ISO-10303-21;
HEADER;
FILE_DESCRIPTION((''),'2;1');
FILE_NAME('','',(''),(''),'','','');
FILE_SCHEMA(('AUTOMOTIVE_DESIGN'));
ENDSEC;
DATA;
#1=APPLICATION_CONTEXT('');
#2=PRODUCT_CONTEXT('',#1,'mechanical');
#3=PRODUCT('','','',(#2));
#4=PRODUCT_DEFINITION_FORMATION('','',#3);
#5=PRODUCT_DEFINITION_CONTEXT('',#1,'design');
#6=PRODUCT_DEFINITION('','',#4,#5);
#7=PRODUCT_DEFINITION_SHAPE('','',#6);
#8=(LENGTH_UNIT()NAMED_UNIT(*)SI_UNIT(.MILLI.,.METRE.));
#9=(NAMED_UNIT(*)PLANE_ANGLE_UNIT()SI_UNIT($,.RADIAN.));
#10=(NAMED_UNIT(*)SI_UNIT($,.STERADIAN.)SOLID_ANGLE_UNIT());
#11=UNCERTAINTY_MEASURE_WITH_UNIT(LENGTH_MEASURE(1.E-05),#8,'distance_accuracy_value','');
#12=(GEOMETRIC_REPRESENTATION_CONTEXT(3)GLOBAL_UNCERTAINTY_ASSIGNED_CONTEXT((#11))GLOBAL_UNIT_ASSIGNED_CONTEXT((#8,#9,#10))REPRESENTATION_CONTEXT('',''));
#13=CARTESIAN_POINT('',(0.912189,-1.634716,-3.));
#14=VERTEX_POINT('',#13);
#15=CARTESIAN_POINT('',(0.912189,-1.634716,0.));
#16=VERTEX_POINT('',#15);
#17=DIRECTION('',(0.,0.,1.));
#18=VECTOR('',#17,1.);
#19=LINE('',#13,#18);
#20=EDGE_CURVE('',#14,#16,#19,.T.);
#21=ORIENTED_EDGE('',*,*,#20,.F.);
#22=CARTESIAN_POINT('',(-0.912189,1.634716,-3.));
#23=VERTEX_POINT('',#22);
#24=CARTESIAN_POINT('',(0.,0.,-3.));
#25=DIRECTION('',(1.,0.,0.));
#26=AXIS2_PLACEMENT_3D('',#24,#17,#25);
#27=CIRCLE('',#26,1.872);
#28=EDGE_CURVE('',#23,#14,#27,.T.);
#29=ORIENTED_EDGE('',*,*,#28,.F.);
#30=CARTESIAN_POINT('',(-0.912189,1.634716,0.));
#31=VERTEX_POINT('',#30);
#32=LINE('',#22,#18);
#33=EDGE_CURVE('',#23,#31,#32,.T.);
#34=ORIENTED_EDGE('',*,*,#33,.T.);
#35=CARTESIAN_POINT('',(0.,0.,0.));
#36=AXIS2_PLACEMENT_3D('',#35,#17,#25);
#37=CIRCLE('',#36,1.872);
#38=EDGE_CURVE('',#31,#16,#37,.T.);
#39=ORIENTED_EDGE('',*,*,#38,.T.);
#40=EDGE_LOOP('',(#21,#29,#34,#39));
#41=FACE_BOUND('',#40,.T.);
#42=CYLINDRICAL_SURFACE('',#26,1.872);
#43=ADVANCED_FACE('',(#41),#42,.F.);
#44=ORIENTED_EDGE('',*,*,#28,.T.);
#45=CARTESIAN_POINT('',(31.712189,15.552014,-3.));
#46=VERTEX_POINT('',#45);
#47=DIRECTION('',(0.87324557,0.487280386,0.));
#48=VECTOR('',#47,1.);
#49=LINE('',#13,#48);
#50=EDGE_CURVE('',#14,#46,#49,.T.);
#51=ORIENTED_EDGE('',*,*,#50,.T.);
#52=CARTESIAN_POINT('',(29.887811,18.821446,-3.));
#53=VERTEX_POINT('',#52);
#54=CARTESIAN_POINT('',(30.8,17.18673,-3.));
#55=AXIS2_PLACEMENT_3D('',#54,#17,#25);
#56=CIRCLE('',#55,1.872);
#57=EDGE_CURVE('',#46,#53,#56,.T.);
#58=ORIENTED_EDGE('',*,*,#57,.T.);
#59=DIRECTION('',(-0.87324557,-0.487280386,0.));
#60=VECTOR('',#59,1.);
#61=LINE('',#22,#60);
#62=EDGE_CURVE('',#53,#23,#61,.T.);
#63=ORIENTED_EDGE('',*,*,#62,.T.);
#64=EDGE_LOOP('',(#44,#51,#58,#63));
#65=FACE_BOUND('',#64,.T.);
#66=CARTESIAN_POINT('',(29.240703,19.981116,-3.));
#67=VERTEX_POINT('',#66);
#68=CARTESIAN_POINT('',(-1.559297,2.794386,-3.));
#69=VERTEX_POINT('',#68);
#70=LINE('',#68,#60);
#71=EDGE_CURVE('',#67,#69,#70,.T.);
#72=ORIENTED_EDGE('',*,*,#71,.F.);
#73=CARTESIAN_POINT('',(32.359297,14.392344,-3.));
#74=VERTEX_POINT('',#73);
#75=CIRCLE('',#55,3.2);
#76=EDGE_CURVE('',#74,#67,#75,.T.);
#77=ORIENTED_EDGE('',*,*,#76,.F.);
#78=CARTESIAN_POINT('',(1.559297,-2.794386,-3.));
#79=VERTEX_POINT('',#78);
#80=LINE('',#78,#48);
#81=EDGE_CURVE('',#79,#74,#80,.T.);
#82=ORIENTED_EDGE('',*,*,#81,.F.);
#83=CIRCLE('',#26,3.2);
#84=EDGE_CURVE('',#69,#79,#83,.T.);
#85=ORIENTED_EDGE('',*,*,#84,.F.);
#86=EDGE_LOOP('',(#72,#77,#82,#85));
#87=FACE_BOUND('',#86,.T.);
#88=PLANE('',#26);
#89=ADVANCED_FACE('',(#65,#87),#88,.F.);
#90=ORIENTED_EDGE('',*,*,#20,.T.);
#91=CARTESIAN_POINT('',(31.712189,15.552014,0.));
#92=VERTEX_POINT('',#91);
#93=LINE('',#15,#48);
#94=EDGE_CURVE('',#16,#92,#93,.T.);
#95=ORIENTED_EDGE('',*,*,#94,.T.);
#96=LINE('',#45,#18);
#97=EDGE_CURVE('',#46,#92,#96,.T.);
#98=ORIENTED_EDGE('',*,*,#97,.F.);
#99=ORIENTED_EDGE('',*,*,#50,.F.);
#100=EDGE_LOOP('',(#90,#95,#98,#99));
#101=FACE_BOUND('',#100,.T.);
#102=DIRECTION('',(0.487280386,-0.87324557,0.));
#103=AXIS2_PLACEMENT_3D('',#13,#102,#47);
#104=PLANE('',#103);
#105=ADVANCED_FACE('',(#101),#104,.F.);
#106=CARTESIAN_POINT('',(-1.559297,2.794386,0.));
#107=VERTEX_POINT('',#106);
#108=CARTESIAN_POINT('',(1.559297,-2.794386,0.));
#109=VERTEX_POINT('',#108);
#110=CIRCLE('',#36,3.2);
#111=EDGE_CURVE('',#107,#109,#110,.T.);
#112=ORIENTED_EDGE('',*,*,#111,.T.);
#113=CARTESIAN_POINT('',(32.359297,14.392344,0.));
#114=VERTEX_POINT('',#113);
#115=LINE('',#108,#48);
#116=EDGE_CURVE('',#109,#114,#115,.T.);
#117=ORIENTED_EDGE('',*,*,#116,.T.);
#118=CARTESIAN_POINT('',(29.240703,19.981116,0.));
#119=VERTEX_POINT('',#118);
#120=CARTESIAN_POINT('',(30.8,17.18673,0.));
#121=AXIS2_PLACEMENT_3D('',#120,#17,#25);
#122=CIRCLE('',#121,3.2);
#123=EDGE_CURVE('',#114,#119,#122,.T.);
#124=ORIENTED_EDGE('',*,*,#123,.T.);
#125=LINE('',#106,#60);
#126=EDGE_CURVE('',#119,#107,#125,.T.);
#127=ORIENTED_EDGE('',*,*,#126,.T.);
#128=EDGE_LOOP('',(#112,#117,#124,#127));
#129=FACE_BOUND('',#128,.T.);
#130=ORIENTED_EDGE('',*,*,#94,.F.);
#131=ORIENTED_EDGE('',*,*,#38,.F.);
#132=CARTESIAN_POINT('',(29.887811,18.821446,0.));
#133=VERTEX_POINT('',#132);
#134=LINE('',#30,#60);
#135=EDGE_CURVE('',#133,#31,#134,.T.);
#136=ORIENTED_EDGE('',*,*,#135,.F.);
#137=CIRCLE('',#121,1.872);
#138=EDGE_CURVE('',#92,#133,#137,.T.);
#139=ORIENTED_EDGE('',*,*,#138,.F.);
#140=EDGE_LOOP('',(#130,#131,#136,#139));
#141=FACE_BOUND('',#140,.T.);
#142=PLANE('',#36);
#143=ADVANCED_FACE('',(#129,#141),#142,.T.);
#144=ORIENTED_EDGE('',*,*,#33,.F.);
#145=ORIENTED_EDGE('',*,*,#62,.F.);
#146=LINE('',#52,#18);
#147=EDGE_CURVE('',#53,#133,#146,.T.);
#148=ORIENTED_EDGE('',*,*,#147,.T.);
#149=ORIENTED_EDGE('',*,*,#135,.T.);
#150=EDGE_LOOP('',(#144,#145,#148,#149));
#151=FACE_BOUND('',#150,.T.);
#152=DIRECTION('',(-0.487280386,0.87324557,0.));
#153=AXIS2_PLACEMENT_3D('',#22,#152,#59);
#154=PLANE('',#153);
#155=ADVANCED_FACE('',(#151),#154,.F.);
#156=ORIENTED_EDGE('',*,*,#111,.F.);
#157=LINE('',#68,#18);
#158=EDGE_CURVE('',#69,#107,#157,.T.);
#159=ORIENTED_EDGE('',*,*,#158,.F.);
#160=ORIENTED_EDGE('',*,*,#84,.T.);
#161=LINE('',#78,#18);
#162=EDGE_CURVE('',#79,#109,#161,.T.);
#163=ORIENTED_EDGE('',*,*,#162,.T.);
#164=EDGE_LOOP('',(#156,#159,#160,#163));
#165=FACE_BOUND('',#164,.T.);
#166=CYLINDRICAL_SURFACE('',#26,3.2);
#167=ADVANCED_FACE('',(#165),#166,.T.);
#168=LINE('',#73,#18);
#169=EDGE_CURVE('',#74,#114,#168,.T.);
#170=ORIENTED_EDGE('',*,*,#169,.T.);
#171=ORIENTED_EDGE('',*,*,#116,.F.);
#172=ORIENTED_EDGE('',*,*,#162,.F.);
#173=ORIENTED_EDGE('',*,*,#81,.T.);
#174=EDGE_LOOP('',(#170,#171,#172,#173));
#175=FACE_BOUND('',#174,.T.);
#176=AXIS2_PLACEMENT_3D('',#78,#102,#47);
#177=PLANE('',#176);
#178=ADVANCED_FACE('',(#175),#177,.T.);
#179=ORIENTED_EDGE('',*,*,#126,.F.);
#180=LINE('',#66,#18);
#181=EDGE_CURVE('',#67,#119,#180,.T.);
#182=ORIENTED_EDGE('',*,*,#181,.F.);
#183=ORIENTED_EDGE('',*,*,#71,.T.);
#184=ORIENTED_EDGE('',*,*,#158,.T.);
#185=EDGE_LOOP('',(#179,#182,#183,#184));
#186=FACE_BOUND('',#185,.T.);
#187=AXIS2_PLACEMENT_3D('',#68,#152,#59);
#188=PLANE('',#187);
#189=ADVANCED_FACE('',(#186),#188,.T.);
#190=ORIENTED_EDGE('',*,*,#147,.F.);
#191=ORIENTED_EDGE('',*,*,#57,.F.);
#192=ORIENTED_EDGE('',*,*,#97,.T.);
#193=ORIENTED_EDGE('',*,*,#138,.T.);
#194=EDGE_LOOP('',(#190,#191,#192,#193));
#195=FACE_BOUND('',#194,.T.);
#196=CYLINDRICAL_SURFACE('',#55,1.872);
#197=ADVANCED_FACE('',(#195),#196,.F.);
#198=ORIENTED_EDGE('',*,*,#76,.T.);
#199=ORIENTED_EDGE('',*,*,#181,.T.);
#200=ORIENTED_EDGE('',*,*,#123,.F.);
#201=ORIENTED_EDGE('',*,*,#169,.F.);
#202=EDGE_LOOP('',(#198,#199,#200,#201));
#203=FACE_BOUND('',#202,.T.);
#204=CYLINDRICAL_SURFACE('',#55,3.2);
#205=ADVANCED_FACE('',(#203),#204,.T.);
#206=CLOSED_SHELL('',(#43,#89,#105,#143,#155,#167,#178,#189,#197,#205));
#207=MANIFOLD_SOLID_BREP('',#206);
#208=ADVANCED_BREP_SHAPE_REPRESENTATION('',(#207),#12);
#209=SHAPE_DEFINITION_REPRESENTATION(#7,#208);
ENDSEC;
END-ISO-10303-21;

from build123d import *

# Parameters (mm, degrees)
BOSS_EXTRUDE1_DEPTH = 3


with BuildPart() as part:
    # Sketch1 → Boss-Extrude1 (new body)
    with BuildSketch(Plane.XY):
        with BuildLine():
            Line((-1.559297234, 2.794385824), (29.240702766, 19.981115875))
            ThreePointArc((29.240702766, 19.981115875), (33.594385824, 18.746027285), (32.359297234, 14.392344226))
            Line((32.359297234, 14.392344226), (1.559297234, -2.794385824))
            ThreePointArc((1.559297234, -2.794385824), (-2.794385824, -1.559297234), (-1.559297234, 2.794385824))
        make_face()
        with BuildLine():
            Line((-0.912188882, 1.634715707), (29.887811118, 18.821445758))
            ThreePointArc((29.887811118, 18.821445758), (32.434715707, 18.098918933), (31.712188882, 15.552014343))
            Line((31.712188882, 15.552014343), (0.912188882, -1.634715707))
            ThreePointArc((0.912188882, -1.634715707), (-1.634715707, -0.912188882), (-0.912188882, 1.634715707))
        make_face(mode=Mode.SUBTRACT)
    extrude(amount=-BOSS_EXTRUDE1_DEPTH)


solid = part.part
